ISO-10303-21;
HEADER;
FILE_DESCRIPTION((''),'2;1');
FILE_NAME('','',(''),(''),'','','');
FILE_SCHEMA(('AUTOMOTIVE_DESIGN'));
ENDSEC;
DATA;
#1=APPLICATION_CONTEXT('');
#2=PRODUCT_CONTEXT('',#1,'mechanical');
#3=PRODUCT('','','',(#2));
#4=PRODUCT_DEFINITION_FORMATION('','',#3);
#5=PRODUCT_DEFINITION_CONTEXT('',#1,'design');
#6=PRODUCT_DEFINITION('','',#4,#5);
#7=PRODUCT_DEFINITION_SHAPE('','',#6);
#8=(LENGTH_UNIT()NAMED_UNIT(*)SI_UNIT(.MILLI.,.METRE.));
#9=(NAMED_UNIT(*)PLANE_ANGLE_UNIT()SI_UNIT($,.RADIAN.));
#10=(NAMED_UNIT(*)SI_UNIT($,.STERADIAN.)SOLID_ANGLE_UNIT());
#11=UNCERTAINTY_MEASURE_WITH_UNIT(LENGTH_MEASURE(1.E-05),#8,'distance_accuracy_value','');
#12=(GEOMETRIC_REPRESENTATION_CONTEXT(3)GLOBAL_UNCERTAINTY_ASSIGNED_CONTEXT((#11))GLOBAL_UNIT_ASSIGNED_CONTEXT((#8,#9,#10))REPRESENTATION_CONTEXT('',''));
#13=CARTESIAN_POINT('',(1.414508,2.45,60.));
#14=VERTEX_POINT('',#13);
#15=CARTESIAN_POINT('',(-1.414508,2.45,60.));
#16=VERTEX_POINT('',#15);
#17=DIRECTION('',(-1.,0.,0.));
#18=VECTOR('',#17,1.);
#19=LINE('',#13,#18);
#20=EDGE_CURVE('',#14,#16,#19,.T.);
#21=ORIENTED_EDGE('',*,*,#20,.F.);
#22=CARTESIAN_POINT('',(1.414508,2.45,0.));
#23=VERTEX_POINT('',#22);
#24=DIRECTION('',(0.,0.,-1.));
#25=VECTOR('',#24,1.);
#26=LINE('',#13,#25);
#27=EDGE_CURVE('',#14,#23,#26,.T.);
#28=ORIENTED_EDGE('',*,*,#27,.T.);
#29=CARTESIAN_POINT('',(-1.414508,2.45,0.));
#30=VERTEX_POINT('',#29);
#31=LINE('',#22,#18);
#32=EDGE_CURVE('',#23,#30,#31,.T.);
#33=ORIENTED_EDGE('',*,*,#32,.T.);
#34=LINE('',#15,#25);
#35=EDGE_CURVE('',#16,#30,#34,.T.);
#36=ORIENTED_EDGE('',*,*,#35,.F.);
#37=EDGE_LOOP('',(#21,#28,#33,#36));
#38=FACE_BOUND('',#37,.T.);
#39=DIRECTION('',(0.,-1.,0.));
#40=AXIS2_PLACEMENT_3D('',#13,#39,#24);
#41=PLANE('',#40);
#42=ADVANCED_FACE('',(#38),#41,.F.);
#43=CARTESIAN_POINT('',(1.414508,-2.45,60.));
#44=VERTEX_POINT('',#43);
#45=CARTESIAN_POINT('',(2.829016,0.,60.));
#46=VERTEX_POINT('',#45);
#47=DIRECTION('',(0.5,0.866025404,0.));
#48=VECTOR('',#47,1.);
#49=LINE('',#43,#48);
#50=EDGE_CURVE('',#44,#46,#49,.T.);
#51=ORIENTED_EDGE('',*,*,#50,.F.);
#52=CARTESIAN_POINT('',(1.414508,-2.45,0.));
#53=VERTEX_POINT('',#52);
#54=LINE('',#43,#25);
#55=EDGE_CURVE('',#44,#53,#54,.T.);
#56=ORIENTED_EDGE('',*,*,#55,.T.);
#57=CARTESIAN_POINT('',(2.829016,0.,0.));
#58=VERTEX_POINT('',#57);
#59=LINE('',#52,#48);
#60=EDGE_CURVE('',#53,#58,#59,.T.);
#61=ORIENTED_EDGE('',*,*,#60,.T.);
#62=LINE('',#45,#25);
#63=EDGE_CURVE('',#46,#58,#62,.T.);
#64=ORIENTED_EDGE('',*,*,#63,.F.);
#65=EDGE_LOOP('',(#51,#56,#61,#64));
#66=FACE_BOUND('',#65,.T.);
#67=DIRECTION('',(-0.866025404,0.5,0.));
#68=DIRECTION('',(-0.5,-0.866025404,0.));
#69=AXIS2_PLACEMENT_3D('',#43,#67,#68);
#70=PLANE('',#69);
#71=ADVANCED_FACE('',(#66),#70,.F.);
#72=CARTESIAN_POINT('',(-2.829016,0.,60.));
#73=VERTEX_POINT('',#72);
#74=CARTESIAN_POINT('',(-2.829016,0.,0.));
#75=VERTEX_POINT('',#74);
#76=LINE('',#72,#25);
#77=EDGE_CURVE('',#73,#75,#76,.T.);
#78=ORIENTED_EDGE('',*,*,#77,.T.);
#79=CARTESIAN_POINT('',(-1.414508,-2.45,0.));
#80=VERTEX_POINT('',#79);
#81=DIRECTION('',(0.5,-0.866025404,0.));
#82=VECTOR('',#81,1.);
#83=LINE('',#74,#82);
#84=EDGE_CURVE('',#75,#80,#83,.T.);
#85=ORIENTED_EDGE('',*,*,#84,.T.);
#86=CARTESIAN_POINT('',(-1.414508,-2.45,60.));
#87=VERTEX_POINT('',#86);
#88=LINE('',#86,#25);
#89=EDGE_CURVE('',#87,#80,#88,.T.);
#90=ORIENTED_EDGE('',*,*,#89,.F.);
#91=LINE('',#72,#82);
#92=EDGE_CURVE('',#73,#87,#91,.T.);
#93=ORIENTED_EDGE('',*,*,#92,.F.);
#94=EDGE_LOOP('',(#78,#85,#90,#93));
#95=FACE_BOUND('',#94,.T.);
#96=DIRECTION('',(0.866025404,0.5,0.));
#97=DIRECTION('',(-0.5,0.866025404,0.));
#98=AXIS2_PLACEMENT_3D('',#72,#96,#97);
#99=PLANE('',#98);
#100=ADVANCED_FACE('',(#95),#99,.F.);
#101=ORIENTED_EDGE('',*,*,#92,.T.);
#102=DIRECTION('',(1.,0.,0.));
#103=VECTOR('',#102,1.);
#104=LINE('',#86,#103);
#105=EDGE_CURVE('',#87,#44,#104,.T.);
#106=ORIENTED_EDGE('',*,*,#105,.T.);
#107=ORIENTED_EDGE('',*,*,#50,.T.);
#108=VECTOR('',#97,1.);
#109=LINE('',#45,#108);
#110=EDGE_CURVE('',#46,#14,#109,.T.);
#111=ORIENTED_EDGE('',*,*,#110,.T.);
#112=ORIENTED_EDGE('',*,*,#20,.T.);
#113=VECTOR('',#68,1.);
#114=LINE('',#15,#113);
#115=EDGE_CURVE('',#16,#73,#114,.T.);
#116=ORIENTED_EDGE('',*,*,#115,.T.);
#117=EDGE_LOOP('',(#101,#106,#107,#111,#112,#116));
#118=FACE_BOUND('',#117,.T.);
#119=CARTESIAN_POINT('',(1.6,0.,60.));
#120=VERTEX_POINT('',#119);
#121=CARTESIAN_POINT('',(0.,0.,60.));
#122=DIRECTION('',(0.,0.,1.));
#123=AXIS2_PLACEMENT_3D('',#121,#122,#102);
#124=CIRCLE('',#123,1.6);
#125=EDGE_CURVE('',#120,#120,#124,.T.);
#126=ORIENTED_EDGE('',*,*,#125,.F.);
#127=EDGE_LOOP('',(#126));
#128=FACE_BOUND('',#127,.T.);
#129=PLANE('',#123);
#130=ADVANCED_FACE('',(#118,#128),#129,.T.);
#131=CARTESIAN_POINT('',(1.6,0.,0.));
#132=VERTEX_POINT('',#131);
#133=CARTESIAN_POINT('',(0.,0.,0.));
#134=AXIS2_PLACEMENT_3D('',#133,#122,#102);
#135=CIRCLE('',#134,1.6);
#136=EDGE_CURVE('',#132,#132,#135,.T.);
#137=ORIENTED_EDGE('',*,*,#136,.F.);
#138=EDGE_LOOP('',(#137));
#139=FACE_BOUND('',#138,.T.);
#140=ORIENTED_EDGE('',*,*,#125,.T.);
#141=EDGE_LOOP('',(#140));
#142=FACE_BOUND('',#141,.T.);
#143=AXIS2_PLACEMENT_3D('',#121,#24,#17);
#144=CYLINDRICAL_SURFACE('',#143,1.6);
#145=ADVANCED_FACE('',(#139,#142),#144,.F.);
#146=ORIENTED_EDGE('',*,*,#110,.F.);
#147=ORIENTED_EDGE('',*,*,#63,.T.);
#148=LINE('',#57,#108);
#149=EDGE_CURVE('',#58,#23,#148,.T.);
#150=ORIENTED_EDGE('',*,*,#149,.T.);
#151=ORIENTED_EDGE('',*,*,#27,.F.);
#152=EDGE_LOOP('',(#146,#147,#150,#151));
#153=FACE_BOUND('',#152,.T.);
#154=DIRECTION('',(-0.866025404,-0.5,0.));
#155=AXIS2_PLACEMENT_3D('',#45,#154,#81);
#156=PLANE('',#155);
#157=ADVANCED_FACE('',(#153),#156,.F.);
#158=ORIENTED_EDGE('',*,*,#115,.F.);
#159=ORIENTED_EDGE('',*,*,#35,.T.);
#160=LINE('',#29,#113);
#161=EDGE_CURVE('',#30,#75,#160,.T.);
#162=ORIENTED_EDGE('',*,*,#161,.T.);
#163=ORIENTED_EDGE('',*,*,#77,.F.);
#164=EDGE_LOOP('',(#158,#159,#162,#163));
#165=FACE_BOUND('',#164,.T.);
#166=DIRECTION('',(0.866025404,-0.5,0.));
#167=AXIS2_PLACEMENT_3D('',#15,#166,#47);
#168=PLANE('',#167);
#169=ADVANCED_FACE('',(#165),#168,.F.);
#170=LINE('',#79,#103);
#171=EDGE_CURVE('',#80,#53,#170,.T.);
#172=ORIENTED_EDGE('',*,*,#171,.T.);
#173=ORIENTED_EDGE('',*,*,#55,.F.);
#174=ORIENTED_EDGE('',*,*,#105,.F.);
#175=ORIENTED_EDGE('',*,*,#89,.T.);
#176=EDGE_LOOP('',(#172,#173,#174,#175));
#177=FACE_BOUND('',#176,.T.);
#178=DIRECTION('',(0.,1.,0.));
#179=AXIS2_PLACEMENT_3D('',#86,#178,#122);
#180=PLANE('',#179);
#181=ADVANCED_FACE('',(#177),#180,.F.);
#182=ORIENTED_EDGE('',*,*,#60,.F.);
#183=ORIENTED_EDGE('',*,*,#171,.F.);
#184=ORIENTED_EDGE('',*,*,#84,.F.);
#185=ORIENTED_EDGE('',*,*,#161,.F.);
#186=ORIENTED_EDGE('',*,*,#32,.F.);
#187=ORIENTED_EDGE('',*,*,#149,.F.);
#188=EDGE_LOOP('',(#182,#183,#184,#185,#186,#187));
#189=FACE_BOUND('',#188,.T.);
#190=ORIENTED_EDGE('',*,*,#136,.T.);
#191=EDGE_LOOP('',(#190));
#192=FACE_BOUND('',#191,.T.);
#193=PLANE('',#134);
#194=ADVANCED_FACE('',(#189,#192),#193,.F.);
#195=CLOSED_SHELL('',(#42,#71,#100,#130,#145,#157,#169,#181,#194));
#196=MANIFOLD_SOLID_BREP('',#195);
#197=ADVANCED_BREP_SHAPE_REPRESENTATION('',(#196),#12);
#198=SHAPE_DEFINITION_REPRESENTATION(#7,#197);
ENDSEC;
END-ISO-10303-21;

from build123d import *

# Parameters (mm, degrees)
SKETCH_1_R      = 1.6
EXTRUDE_1_DEPTH = 60


with BuildPart() as part:
    # 草图1 → 凸台-拉伸1 (new body)
    with BuildSketch(Plane.XY):
        Polygon((2.829016319, 0), (1.41450816, 2.45), (-1.41450816, 2.45), (-2.829016319, 0), (-1.41450816, -2.45), (1.41450816, -2.45), align=None)
        Circle(SKETCH_1_R, mode=Mode.SUBTRACT)
    extrude(amount=EXTRUDE_1_DEPTH)


solid = part.part
